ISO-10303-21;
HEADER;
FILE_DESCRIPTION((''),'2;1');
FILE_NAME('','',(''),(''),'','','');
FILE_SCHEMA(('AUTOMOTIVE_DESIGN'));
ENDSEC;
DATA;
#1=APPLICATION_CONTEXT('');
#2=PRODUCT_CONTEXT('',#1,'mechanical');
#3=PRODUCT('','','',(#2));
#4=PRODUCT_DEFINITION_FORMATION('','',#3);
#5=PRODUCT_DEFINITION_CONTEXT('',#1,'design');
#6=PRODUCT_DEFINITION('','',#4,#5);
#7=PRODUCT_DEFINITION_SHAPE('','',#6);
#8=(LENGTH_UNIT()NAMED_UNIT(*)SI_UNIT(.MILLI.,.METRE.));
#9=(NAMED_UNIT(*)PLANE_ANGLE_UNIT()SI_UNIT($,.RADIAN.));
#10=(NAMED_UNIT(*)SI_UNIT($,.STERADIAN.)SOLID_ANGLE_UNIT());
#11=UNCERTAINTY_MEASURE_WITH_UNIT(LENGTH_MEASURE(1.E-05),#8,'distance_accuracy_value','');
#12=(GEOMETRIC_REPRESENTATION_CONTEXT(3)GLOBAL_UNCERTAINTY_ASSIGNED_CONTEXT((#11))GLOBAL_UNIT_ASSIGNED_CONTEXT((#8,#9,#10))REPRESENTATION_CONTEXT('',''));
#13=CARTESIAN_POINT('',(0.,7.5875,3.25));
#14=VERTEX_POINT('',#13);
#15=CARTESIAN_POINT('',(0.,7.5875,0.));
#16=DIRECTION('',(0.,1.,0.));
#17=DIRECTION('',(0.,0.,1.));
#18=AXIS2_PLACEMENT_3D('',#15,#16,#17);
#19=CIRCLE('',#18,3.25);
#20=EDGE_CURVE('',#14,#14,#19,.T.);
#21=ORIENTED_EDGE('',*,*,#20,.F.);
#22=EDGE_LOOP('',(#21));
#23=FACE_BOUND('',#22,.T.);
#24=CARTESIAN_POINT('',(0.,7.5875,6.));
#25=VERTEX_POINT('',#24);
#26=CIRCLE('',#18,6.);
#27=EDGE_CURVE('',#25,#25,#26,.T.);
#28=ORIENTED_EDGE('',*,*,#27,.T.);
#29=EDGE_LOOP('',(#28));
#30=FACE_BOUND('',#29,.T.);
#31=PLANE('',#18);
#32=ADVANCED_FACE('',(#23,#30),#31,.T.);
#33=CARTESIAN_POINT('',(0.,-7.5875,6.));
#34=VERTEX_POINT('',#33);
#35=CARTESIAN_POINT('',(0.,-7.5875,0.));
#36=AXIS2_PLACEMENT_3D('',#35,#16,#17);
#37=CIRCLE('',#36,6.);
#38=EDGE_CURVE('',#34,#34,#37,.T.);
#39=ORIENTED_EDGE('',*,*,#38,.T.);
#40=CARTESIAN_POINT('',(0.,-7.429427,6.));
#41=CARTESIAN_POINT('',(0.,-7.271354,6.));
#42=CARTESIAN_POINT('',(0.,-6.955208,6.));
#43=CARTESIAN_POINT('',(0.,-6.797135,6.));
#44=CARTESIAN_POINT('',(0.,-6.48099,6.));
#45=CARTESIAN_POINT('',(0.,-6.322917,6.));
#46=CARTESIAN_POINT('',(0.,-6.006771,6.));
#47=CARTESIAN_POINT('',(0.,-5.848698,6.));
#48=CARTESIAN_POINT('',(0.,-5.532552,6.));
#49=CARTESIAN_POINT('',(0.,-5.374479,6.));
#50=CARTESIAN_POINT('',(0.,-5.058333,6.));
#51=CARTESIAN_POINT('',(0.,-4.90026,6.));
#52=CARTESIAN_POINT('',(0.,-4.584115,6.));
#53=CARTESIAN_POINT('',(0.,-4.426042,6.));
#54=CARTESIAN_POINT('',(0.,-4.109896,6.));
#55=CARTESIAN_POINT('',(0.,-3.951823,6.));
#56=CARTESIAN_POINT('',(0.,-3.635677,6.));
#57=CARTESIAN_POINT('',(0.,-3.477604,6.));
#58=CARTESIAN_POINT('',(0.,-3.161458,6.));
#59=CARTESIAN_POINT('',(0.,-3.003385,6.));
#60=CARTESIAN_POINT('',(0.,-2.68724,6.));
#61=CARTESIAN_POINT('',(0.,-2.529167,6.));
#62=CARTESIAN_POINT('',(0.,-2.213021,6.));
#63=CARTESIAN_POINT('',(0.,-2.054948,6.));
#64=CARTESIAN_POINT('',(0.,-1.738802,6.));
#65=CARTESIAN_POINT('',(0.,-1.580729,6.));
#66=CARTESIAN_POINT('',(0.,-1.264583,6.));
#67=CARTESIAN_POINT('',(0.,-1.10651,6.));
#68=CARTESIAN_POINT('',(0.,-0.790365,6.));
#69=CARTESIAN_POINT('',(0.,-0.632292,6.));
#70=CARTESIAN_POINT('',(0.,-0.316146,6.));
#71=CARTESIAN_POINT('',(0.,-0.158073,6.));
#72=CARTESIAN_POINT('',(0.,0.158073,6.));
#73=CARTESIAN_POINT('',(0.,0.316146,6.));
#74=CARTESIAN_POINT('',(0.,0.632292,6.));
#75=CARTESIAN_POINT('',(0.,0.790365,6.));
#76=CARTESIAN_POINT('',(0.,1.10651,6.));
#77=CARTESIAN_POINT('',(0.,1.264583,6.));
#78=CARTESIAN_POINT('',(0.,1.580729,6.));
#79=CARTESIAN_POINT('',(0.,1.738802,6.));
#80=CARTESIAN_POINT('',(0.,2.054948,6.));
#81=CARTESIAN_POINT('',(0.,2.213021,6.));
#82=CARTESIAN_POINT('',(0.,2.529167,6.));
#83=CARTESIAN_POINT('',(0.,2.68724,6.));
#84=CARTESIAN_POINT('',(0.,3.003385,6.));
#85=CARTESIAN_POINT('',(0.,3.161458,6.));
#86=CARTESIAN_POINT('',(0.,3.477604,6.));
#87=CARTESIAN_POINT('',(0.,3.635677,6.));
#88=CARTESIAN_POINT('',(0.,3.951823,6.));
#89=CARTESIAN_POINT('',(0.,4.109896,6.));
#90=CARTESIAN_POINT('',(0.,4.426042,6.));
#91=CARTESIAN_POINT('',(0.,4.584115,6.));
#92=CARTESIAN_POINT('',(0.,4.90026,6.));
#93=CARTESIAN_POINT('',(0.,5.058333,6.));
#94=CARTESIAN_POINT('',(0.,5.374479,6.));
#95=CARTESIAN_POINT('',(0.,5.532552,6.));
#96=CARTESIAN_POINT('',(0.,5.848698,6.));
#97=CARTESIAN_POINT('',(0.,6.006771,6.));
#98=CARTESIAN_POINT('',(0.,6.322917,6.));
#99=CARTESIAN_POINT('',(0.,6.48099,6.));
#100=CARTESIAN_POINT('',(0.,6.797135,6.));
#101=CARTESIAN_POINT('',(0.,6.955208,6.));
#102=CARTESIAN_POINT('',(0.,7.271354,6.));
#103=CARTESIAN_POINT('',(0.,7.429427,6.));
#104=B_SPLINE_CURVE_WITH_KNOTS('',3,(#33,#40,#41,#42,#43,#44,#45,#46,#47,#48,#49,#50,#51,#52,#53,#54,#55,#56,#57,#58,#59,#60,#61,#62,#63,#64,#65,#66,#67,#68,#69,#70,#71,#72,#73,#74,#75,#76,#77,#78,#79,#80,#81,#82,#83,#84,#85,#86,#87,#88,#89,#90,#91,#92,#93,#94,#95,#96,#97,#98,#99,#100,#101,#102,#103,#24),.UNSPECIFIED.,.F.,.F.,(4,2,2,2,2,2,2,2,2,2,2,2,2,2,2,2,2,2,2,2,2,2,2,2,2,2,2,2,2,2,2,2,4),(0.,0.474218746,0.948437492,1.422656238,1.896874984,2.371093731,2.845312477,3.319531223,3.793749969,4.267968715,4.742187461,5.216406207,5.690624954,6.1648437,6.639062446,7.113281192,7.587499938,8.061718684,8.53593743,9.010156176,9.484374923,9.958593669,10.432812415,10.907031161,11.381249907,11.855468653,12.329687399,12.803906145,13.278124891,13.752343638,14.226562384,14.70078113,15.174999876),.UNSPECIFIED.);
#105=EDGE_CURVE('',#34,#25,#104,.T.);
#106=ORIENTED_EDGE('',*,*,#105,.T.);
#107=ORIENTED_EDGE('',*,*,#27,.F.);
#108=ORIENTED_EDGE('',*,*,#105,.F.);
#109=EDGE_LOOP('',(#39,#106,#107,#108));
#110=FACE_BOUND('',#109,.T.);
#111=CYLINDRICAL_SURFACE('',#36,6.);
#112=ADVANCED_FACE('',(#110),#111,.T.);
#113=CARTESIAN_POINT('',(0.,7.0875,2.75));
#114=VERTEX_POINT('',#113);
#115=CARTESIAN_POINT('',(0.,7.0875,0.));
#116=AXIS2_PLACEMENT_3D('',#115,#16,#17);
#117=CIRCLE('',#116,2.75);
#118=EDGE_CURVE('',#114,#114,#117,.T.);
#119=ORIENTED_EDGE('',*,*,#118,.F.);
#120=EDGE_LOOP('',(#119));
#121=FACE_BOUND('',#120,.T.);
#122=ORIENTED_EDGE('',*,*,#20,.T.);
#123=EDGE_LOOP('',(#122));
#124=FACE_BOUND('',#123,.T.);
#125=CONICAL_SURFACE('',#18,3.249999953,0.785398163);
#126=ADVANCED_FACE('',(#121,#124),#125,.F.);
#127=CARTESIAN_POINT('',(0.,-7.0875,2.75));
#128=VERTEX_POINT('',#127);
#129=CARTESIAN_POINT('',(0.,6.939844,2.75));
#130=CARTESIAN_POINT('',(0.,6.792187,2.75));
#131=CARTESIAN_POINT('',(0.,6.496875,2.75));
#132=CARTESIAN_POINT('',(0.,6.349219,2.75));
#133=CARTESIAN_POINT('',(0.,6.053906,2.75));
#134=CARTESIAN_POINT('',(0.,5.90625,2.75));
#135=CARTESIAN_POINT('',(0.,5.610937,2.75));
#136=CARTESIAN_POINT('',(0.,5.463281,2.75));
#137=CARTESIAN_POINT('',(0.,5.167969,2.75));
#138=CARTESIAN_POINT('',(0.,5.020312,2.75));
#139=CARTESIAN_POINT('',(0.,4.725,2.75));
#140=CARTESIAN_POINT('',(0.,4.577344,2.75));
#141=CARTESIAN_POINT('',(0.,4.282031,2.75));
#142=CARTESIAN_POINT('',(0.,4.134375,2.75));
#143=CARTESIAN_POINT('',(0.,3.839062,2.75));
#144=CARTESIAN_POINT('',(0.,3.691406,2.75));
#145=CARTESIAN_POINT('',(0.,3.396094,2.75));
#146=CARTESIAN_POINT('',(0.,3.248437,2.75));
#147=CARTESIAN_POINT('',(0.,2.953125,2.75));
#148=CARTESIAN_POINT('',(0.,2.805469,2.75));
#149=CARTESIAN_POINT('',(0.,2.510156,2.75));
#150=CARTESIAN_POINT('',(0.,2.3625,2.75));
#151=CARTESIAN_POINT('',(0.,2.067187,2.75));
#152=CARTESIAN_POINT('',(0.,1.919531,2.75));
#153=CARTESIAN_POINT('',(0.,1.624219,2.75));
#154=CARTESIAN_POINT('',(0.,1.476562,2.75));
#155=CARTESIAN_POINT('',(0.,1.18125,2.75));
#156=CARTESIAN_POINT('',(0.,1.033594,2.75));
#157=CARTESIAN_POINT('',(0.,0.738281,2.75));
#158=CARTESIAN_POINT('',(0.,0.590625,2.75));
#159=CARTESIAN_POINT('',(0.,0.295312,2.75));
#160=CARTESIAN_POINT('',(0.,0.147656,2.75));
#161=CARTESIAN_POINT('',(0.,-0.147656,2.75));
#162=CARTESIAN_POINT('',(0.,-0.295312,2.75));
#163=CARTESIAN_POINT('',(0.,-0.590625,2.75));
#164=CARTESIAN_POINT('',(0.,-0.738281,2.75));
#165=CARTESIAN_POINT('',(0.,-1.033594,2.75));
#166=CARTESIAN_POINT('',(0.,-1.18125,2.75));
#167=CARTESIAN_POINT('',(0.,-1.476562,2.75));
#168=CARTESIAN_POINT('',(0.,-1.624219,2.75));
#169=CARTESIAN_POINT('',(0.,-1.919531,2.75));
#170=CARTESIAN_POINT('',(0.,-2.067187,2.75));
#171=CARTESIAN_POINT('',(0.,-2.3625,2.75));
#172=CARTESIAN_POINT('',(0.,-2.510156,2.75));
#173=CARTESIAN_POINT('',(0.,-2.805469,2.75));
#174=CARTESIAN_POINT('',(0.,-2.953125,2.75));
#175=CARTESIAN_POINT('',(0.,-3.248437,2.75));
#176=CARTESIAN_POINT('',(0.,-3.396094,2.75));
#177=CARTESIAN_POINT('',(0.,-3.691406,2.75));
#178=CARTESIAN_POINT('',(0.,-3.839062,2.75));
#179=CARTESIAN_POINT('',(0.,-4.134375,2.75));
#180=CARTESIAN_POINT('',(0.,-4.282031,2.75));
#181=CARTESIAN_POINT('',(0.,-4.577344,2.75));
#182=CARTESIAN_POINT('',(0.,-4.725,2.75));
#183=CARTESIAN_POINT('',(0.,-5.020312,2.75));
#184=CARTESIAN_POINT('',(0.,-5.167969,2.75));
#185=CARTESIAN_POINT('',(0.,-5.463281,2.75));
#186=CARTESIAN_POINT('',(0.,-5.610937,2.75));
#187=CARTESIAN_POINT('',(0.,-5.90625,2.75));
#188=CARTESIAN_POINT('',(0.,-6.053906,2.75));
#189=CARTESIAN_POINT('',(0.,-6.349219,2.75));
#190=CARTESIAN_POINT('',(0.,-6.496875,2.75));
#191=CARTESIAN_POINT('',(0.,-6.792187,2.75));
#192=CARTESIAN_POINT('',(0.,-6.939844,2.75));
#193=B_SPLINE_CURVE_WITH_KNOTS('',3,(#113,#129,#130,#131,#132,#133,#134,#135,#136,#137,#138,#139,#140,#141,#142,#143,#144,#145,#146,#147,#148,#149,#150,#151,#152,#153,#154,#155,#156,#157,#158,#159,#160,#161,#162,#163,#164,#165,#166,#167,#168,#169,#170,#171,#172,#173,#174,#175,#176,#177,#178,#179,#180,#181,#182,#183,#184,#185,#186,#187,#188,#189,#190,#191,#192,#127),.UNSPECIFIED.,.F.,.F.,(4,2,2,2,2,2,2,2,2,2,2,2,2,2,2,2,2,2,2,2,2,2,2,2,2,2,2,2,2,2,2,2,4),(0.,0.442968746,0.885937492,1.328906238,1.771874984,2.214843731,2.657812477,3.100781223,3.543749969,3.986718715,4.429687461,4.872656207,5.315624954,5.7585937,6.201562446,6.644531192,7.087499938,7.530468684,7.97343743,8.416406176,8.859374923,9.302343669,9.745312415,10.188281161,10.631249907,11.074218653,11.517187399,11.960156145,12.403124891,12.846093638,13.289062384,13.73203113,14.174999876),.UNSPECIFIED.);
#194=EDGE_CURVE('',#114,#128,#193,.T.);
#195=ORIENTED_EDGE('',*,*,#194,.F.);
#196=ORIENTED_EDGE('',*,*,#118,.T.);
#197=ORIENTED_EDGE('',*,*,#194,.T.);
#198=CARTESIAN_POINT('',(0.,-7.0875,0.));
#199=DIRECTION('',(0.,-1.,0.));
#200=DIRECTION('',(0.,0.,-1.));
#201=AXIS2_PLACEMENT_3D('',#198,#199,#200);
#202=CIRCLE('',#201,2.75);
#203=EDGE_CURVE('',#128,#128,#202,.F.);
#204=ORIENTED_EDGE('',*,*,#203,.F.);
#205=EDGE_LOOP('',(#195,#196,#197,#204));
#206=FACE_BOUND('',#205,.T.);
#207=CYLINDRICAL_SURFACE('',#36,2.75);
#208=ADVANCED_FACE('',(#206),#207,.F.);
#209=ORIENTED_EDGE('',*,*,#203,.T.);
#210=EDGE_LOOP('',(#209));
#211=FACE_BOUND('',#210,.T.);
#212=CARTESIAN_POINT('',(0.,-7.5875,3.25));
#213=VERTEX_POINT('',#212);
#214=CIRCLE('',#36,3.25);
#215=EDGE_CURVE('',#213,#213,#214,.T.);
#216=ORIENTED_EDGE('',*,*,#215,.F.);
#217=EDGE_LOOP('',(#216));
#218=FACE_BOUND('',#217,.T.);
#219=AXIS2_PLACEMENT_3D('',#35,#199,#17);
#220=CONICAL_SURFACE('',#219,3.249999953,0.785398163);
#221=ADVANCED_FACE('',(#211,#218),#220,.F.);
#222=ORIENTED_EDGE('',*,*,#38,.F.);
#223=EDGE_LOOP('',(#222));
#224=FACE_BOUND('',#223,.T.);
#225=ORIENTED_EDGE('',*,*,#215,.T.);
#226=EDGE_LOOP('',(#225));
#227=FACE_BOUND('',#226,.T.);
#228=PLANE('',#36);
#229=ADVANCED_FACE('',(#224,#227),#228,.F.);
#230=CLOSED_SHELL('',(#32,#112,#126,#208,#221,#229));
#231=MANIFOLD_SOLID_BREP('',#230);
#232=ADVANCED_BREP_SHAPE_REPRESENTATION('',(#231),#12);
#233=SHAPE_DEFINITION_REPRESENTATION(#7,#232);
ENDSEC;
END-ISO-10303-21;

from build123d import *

# Parameters (mm, degrees)
BOSS_EXTRUDE1_DEPTH      = 7.587499938
BOSS_EXTRUDE1_DEPTH_BACK = 7.587499938
SKETCH1_R                = 6
SKETCH1_R_2              = 2
SKETCH2_R                = 2.749999953
CUT_EXTRUDE1_DEPTH       = 18.386219291


with BuildPart() as part:
    # Sketch1 → Boss-Extrude1 (new, two sides: drawn at the far end of the back side and taken through both)
    with BuildSketch(Plane(origin=(0, 0, 0), x_dir=(1, 0, 0), z_dir=(0, 1, 0)).offset(-BOSS_EXTRUDE1_DEPTH_BACK)):
        with Locations(Location((0, 0, 0), (0, 0, 270))):
            Circle(SKETCH1_R)
        with Locations(Location((0, 0, 0), (0, 0, 270))):
            Circle(SKETCH1_R_2, mode=Mode.SUBTRACT)
    extrude(amount=BOSS_EXTRUDE1_DEPTH + BOSS_EXTRUDE1_DEPTH_BACK)

    # Sketch2 → Cut-Extrude1 (cut, through all)
    with BuildSketch(Plane(origin=(0, 7.587499938, 0), x_dir=(1, 0, 0), z_dir=(0, 1, 0))):
        with Locations(Location((0, 0, 0), (0, 0, 270))):
            Circle(SKETCH2_R)
    extrude(amount=-CUT_EXTRUDE1_DEPTH, mode=Mode.SUBTRACT)

    # Cut-Extrude3 cone 1 section (through the dimple's axis) → Cut-Extrude3 (revolve, cut)
    with BuildSketch(Plane(origin=(0, 7.587499938, 0), x_dir=(0, 0, 1), z_dir=(1, 0, 0))):
        Polygon((0, 0), (3.249999953, 0), (0, 3.249999953), align=None)
    cut_extrude3 = revolve(axis=Axis((0, 7.587499938, 0), (0, -1, 0)), mode=Mode.SUBTRACT)

    # Mirror1: Cut-Extrude3 across plane
    add(cut_extrude3.mirror(Plane.ZX), mode=Mode.SUBTRACT)


solid = part.part
